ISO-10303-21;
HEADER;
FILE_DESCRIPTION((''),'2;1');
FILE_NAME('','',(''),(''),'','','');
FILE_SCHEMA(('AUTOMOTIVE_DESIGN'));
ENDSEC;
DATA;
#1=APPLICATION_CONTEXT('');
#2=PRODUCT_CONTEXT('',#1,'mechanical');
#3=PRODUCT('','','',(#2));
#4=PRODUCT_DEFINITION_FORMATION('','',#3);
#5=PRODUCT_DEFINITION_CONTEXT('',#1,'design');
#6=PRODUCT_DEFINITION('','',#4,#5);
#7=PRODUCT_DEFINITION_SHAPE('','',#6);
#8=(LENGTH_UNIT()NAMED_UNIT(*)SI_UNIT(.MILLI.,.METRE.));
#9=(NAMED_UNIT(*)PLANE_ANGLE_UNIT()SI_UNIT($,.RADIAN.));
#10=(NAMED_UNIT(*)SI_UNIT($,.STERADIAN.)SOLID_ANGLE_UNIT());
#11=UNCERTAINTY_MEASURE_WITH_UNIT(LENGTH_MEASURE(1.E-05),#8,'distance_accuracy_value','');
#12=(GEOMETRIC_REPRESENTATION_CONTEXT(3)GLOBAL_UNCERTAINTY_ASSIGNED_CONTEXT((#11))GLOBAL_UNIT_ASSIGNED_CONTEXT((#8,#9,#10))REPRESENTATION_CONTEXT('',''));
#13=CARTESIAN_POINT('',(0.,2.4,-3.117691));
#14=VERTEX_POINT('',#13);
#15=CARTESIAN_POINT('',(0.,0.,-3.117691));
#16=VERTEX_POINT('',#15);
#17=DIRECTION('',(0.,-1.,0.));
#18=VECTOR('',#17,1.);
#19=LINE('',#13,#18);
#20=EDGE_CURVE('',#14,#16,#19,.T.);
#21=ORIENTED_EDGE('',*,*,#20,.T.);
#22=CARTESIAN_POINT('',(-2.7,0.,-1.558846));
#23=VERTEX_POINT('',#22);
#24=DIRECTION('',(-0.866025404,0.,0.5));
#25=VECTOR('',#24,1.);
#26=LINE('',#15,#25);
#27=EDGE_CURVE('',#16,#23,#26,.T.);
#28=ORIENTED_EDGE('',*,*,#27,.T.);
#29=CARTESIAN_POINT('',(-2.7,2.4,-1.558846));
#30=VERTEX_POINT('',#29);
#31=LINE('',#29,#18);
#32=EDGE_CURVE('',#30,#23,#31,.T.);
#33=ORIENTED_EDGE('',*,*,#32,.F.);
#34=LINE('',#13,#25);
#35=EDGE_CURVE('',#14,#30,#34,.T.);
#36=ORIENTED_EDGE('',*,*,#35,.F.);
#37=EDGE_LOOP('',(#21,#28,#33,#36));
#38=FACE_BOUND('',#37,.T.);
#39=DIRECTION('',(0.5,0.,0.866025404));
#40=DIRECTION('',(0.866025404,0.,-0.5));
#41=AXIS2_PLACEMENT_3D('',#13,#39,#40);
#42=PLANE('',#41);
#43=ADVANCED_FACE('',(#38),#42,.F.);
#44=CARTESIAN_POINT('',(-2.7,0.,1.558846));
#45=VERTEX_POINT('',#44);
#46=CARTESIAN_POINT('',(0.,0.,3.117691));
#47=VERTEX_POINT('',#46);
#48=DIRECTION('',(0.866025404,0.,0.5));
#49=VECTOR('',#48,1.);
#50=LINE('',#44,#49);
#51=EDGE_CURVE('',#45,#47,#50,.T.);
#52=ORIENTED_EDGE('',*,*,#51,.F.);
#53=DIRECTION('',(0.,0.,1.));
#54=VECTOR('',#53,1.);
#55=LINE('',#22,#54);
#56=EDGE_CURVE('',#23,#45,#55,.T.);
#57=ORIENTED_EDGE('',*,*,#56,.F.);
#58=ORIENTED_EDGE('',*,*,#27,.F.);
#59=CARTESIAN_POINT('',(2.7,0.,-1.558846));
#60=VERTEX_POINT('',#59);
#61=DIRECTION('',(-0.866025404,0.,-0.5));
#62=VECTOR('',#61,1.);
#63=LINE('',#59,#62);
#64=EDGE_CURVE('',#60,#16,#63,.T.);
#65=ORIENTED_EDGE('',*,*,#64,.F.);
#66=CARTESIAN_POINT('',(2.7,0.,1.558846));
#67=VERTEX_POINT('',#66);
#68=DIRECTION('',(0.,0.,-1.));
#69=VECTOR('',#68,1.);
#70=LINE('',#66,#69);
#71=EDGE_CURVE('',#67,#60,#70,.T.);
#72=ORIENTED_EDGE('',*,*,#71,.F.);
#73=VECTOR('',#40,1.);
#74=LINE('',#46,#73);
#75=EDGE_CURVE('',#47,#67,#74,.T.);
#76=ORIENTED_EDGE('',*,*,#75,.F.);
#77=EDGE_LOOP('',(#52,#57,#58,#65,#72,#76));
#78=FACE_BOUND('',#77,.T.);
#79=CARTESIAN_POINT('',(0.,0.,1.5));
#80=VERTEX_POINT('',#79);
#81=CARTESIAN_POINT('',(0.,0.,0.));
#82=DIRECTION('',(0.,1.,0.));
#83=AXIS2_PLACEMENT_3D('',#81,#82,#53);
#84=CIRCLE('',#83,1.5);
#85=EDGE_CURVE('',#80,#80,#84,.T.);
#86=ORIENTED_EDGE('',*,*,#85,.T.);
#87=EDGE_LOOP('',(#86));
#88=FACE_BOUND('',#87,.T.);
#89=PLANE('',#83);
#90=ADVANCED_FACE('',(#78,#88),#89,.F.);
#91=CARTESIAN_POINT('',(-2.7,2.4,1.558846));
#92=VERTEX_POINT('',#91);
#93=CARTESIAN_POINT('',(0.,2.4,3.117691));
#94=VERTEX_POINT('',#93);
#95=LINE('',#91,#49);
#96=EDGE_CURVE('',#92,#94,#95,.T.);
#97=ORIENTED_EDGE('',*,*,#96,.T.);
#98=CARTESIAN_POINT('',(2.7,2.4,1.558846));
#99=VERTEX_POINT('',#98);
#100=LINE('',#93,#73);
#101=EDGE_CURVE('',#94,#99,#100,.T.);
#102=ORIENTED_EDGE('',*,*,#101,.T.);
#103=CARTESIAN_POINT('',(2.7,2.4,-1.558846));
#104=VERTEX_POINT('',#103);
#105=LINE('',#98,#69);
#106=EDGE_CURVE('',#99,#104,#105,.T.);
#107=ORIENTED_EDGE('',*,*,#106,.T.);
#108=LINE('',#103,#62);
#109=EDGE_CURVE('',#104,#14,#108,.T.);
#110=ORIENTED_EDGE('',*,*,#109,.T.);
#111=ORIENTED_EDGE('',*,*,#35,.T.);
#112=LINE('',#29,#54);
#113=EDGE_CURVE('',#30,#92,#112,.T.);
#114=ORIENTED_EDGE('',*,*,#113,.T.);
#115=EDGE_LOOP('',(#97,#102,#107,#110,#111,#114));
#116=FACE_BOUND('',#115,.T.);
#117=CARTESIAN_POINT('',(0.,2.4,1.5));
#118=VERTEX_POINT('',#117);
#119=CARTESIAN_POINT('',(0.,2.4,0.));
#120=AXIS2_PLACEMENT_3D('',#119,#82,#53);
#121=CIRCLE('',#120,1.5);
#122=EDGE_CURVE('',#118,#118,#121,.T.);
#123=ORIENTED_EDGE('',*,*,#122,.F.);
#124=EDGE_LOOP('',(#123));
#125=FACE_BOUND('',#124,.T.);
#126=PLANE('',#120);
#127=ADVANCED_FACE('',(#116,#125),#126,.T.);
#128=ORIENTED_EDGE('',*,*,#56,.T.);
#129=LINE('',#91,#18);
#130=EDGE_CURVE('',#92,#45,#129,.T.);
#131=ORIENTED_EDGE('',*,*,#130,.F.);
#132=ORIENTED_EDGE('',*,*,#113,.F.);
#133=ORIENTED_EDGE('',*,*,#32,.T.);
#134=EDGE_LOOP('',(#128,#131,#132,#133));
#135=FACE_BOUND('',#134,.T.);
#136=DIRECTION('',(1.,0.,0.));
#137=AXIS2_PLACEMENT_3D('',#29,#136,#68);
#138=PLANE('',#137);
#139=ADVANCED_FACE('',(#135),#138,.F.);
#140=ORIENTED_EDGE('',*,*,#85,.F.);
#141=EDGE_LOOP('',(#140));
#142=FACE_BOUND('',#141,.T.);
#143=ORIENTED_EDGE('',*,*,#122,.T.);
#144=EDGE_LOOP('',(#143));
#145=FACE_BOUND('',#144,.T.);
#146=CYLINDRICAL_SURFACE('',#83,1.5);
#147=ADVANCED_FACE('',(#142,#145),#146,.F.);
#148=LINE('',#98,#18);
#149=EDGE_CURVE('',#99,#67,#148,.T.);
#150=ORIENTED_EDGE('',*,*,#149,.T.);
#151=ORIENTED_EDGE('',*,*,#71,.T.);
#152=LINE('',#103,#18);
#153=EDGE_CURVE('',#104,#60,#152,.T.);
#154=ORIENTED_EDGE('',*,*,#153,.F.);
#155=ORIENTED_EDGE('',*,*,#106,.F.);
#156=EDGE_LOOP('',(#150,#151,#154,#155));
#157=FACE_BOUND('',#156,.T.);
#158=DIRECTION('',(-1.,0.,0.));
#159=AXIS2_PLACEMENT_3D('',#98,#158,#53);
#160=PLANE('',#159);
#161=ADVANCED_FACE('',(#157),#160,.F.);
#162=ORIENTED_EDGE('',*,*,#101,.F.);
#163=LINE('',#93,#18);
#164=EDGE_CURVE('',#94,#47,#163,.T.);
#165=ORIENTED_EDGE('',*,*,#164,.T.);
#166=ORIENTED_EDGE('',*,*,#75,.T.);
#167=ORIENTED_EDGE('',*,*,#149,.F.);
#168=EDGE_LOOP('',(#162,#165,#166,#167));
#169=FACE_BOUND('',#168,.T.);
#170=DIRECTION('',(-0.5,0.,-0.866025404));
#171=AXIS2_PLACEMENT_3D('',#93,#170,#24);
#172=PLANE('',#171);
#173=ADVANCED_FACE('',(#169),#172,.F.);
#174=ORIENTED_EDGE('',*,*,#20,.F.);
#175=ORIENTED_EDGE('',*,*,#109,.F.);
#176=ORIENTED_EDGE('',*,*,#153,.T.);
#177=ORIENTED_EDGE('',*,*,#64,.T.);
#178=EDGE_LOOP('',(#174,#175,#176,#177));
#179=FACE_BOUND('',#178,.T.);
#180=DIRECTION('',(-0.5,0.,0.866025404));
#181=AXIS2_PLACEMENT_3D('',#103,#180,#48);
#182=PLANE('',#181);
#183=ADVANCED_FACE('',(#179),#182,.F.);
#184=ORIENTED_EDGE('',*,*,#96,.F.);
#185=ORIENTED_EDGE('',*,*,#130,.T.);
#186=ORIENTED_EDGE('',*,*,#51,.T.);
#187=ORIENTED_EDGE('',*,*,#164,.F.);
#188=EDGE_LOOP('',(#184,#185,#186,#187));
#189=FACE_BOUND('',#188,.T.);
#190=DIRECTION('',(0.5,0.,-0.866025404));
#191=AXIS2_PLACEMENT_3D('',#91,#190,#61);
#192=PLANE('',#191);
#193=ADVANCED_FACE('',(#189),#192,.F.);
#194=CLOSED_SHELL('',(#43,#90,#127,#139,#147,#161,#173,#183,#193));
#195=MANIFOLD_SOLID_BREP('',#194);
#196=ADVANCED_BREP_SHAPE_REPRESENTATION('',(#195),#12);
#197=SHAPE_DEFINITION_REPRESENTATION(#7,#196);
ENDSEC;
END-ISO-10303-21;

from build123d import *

# Parameters (mm, degrees)
BOSS_EXTRUDE1_DEPTH = 2.4
SKETCH2_R           = 1.5
CUT_EXTRUDE1_DEPTH  = 2.4


with BuildPart() as part:
    # Sketch1 → Boss-Extrude1 (new body)
    with BuildSketch(Plane(origin=(0, 0, 0), x_dir=(1, 0, 0), z_dir=(0, 1, 0))):
        Polygon((0, 3.117691454), (-2.7, 1.558845727), (-2.7, -1.558845727), (0, -3.117691454), (2.7, -1.558845727), (2.7, 1.558845727), align=None)
    extrude(amount=BOSS_EXTRUDE1_DEPTH)

    # Sketch2 → Cut-Extrude1 (cut)
    with BuildSketch(Plane(origin=(0, 2.4, 0), x_dir=(1, 0, 0), z_dir=(0, 1, 0))):
        Circle(SKETCH2_R)
    extrude(amount=-CUT_EXTRUDE1_DEPTH, mode=Mode.SUBTRACT)


solid = part.part
